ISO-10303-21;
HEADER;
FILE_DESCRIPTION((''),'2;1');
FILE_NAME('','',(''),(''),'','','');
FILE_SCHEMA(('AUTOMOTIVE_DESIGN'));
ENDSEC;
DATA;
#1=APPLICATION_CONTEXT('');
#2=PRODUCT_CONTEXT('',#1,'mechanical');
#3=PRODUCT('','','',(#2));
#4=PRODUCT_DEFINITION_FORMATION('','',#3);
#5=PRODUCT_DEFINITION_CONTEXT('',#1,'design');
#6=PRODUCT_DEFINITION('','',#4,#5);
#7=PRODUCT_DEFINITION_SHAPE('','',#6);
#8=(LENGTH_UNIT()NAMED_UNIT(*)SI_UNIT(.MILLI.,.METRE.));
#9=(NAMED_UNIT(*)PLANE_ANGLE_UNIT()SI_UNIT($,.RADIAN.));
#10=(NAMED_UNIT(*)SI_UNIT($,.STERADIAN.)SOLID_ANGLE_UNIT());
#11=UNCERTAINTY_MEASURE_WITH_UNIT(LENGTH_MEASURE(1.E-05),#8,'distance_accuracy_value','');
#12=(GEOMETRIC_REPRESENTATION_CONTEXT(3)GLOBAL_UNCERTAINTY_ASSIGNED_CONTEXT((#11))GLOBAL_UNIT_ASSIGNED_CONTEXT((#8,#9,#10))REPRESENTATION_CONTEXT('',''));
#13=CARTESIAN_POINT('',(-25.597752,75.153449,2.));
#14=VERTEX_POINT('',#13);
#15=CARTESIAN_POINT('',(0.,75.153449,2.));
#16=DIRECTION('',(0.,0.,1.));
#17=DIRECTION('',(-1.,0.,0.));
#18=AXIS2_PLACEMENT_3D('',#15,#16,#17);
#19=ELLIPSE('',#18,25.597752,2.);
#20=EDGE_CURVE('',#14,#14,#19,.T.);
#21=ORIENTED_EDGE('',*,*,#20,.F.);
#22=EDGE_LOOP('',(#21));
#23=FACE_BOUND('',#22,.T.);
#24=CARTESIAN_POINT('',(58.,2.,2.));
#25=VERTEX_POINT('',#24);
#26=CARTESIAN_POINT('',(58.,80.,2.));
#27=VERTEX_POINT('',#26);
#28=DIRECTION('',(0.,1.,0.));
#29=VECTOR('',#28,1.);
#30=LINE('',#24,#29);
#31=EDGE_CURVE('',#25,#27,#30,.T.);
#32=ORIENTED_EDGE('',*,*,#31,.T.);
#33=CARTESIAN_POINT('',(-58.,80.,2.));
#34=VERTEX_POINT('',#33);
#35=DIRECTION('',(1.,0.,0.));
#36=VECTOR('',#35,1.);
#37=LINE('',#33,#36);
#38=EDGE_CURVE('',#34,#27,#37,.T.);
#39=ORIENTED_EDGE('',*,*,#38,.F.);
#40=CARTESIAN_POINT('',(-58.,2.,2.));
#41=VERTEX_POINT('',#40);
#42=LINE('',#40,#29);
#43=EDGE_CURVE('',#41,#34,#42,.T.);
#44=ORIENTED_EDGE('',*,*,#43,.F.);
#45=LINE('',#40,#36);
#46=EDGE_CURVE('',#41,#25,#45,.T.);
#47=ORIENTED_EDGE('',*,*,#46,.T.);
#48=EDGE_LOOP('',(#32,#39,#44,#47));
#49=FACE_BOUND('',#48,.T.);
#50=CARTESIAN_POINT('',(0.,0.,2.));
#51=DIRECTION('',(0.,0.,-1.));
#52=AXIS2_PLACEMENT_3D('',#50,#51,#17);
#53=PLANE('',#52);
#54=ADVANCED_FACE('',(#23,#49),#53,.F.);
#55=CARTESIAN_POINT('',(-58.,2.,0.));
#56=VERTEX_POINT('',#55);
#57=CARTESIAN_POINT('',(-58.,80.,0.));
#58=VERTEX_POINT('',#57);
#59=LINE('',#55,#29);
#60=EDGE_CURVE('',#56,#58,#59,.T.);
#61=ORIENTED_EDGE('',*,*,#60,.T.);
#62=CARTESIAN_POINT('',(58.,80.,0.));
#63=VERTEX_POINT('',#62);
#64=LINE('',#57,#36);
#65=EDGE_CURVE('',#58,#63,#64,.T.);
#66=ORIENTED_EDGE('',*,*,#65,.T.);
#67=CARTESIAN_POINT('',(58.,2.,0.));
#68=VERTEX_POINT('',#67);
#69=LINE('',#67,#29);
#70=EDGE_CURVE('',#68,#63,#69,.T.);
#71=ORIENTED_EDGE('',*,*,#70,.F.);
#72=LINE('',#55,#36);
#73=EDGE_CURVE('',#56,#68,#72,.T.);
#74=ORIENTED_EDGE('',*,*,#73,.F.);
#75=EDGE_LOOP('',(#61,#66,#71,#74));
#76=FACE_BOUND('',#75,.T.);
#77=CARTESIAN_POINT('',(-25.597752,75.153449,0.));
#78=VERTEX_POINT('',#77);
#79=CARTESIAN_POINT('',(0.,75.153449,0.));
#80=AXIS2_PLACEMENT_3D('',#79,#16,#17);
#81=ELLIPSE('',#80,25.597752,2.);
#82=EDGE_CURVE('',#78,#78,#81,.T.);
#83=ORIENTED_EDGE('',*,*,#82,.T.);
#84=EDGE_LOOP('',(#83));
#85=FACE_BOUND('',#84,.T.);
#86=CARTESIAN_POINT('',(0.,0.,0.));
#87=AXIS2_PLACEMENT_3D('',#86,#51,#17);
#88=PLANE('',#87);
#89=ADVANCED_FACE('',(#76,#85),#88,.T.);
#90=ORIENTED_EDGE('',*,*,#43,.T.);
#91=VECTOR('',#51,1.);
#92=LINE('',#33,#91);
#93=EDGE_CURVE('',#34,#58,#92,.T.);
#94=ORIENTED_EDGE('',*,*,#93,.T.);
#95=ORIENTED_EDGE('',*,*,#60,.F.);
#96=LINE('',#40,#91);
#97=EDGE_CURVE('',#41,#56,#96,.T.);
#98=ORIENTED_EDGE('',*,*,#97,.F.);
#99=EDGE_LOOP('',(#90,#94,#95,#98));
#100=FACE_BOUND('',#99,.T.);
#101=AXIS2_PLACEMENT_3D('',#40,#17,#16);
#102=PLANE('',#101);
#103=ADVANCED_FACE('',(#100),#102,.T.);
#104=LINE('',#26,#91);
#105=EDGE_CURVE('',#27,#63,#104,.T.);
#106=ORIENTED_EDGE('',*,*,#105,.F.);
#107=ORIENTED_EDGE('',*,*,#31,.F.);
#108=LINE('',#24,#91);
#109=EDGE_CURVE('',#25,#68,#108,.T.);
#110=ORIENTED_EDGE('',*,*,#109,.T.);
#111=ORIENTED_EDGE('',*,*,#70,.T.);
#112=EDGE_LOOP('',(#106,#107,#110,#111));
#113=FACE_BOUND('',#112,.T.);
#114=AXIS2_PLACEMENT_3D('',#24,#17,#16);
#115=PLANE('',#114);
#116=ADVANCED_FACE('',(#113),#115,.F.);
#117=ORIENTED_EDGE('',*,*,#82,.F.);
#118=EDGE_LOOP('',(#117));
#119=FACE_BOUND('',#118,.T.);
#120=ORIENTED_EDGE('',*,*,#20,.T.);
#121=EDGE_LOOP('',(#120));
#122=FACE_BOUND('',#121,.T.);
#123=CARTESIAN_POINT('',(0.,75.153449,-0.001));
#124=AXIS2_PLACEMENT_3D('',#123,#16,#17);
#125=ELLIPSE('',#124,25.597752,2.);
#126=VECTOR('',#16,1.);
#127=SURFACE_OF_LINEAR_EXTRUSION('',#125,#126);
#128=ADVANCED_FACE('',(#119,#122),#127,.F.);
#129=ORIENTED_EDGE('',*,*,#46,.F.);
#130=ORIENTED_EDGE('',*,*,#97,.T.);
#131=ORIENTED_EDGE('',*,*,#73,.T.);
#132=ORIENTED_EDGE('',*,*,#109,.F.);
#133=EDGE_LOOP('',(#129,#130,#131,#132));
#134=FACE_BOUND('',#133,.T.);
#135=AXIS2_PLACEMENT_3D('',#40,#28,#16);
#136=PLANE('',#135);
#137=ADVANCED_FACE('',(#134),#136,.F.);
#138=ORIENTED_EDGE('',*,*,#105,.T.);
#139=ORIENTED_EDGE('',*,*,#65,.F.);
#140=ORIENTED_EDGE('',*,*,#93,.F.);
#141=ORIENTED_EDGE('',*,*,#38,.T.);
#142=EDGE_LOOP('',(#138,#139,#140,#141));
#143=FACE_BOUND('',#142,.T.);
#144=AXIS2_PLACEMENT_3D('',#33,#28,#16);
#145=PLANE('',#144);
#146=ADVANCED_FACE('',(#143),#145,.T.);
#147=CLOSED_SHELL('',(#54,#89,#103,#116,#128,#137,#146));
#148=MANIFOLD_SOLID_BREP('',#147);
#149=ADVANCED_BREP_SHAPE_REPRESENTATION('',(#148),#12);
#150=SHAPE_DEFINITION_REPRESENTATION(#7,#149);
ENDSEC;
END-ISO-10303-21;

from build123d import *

# Parameters (mm, degrees)
CROQUIS1_W              = 116
CROQUIS1_H              = 78
SALIENTE_EXTRUIR1_DEPTH = 2
CORTAR_EXTRUIR1_REACH   = 100.833
CROQUIS2_RX             = 25.597751957
CROQUIS2_RY             = 2


with BuildPart() as part:
    # Croquis1 → Saliente-Extruir1 (new body)
    with BuildSketch(Plane.XY):
        with Locations((0, 41)):
            Rectangle(CROQUIS1_W, CROQUIS1_H)
    extrude(amount=SALIENTE_EXTRUIR1_DEPTH)

    # Croquis2 → Cortar-Extruir1 (cut, up to next)
    with BuildSketch(Plane.XY.offset(2), mode=Mode.PRIVATE) as cortar_extruir1_sk1:
        with Locations(Location((0, 75.153449431), (0, 0, 0))):
            Ellipse(CROQUIS2_RX, CROQUIS2_RY)
    cortar_extruir1_tool1 = extrude(cortar_extruir1_sk1.sketch, amount=-CORTAR_EXTRUIR1_REACH, mode=Mode.PRIVATE) & part.part
    add(cortar_extruir1_tool1.solids().sort_by_distance((0, 75.153449, 2))[0], mode=Mode.SUBTRACT)


solid = part.part
